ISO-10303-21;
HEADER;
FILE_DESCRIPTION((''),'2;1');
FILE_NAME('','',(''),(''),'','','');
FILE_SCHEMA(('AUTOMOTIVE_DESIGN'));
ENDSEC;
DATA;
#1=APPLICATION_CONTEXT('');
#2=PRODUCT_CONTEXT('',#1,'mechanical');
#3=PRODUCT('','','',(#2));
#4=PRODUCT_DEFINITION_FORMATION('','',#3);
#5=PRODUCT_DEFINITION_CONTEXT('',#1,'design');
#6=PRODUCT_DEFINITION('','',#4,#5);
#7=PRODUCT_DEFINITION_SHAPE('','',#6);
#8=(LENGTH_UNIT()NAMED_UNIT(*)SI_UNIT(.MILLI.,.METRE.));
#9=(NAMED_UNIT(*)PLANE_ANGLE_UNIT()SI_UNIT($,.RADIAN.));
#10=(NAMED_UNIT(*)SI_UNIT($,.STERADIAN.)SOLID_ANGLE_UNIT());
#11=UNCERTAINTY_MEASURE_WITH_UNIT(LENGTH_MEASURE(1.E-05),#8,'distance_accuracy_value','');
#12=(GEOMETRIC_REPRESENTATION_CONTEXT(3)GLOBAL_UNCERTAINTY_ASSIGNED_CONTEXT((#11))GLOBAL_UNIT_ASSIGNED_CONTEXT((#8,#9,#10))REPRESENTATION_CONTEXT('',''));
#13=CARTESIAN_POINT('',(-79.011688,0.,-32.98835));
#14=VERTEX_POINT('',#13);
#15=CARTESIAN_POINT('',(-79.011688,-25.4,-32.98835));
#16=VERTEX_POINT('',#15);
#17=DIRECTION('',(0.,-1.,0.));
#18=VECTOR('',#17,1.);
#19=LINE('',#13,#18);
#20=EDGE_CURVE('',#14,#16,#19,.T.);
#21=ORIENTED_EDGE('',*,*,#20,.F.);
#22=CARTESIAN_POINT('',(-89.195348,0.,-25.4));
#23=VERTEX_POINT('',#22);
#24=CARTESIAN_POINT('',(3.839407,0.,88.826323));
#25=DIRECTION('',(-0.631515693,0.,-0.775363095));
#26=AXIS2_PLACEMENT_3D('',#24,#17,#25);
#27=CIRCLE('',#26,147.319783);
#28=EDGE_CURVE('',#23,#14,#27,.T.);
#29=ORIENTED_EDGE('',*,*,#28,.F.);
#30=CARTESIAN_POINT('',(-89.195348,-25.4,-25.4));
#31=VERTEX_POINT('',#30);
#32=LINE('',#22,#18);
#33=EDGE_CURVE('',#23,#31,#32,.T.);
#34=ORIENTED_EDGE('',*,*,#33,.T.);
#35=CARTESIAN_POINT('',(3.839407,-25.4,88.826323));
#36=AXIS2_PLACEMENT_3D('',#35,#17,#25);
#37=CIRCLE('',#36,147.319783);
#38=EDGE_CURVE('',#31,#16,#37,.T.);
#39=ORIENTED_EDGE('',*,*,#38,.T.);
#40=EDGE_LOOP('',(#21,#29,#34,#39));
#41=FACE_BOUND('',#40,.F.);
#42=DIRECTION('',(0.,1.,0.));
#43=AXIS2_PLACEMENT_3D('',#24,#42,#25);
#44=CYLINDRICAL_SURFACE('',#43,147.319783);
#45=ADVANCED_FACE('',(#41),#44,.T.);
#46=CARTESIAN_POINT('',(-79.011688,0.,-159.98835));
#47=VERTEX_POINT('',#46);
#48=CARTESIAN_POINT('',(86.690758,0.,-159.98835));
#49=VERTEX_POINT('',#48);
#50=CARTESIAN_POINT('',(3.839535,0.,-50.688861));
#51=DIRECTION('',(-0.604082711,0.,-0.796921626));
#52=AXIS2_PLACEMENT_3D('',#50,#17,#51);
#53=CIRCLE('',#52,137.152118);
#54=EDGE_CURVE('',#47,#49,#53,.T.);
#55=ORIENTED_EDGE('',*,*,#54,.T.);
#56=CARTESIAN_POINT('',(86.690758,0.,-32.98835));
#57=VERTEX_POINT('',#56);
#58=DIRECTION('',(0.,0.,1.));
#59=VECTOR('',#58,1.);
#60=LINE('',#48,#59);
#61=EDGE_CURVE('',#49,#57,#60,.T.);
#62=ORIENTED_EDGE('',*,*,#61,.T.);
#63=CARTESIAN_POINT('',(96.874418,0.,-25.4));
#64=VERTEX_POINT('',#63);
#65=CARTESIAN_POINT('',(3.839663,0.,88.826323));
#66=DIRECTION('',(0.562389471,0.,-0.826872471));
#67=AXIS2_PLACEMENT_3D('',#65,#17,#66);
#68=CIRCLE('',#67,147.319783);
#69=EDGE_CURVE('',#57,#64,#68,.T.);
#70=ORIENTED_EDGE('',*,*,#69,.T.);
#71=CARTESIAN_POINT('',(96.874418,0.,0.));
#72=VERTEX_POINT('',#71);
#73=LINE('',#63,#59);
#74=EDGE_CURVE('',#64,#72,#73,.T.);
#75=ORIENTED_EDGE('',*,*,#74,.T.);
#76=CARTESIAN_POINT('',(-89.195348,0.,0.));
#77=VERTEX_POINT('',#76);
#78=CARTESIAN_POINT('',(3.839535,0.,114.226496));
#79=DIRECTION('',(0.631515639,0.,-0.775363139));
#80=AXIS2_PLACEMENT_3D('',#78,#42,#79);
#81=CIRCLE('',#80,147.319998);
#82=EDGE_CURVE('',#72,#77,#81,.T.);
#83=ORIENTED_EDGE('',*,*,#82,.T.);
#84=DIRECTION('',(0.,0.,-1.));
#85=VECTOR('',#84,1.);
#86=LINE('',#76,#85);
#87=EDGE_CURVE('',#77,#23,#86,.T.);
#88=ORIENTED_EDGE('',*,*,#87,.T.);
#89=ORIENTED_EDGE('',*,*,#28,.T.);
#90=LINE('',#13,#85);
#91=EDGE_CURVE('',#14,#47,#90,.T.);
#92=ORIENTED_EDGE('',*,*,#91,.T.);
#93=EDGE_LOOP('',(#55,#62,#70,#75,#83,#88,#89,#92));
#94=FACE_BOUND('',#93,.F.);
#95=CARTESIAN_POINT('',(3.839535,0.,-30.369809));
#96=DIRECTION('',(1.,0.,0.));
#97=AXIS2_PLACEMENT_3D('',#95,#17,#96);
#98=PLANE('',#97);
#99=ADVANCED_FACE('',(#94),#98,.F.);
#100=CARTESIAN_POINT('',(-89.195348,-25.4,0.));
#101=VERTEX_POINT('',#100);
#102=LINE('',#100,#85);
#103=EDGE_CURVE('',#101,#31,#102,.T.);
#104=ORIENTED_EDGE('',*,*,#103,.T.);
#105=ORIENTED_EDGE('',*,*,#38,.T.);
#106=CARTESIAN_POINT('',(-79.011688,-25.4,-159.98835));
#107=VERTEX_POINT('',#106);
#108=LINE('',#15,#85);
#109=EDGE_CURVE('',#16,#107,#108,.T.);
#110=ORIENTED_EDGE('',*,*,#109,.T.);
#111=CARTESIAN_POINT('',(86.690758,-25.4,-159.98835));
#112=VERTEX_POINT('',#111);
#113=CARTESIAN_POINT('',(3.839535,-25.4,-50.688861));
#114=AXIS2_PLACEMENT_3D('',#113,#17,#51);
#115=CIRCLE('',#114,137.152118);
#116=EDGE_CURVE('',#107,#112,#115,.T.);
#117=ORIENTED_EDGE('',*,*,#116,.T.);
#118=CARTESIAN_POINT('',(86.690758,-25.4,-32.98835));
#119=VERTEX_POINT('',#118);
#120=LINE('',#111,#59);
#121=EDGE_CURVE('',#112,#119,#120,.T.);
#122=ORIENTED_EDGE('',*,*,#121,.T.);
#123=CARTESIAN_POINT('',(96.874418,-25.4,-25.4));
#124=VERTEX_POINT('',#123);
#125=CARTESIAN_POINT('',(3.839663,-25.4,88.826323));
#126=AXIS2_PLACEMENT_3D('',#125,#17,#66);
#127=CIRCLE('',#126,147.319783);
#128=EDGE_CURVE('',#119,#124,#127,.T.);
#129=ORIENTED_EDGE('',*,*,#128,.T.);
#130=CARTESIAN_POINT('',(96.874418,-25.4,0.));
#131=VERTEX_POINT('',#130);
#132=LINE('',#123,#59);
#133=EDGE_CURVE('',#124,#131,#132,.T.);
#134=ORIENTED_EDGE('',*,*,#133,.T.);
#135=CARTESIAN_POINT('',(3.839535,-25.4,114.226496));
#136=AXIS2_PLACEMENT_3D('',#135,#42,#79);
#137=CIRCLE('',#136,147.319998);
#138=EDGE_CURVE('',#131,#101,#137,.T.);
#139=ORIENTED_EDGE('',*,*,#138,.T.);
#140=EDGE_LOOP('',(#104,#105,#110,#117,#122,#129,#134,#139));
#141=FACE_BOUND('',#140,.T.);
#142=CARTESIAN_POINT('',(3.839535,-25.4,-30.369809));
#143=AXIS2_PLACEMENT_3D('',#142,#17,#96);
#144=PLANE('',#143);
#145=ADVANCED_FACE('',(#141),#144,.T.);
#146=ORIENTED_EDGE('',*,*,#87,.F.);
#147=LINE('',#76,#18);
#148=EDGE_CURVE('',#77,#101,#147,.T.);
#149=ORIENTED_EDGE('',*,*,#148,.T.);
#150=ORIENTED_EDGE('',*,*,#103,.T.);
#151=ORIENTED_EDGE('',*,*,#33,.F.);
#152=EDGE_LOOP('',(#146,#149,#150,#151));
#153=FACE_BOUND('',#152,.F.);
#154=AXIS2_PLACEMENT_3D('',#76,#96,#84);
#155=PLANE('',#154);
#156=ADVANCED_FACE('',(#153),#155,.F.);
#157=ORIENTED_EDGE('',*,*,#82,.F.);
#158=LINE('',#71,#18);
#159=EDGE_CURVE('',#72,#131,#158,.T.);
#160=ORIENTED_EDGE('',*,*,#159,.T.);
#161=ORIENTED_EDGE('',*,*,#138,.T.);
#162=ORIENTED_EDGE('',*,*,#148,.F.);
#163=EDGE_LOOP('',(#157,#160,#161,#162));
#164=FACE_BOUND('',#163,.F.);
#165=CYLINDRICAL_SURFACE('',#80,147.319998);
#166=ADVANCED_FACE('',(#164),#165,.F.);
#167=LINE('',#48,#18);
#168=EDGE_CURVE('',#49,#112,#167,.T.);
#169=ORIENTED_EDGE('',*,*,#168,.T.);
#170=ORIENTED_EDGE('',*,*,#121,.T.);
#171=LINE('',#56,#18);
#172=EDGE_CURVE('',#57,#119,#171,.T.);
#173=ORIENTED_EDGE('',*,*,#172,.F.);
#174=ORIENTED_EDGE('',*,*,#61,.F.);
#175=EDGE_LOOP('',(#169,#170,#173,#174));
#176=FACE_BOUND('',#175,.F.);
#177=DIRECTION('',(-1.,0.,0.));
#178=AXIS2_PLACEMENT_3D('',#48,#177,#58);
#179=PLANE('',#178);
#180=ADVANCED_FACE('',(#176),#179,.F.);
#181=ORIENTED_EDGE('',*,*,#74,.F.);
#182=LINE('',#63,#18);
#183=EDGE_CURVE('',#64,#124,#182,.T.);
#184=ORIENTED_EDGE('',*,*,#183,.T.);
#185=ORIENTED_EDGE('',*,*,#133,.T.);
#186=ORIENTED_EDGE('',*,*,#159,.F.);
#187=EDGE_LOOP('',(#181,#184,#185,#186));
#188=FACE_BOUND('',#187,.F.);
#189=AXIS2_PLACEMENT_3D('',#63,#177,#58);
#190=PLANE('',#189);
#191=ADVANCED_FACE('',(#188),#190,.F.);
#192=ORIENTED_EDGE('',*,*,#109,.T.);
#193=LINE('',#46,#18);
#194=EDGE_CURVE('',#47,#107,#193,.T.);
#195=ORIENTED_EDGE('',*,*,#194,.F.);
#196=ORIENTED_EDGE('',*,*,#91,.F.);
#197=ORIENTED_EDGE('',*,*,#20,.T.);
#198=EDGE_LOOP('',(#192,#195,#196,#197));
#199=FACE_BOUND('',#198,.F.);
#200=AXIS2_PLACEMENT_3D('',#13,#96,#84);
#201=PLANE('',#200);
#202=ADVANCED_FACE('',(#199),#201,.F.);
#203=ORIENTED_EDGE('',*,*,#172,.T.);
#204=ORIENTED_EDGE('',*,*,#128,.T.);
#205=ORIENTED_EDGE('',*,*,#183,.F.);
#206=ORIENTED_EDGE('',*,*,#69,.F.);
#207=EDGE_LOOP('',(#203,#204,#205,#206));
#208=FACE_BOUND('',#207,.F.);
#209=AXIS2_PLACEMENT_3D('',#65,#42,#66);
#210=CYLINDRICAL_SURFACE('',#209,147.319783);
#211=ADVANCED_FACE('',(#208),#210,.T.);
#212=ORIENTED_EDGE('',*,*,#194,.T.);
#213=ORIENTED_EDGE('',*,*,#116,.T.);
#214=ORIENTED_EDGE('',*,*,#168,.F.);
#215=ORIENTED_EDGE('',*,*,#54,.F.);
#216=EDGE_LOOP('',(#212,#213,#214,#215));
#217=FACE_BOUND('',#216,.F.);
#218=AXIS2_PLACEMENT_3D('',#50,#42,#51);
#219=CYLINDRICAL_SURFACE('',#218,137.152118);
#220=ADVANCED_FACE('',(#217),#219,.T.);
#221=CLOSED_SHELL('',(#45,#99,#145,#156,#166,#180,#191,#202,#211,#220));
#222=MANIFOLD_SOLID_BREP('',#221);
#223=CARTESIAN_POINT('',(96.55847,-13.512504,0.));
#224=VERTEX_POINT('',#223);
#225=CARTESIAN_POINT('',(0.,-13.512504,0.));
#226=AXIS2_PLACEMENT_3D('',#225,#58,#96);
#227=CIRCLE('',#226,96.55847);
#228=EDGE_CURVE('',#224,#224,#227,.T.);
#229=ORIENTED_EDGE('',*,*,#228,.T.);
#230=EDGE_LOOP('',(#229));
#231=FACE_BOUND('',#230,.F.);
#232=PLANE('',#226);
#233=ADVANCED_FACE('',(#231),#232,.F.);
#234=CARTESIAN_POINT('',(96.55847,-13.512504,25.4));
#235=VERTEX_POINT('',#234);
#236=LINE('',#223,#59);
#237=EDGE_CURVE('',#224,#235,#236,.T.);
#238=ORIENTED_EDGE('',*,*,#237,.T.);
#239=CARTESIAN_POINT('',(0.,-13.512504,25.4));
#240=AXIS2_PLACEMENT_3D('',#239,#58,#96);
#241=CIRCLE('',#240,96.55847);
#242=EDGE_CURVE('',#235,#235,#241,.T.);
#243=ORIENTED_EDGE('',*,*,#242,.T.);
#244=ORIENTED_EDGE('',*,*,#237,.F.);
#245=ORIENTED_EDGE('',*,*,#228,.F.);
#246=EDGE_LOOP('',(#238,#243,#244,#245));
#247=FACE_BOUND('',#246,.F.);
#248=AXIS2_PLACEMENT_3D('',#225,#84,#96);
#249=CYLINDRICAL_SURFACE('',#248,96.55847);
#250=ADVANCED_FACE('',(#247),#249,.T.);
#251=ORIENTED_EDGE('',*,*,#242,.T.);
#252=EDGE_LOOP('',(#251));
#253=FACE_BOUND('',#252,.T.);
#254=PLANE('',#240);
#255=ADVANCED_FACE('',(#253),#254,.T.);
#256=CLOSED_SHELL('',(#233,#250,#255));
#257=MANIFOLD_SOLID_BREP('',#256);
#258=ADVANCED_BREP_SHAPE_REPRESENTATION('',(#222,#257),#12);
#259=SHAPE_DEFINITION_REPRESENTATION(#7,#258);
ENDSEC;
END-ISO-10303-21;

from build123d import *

# Parameters (mm, degrees)
F1_DEPTH = 25.4
F2_R     = 96.55847
F3_DEPTH = 25.4


with BuildPart() as f1:
    # F0 (on Front) → F1 (new body)
    with BuildSketch(Plane.XZ):
        with BuildLine():
            ThreePointArc((96.874418, 0), (3.839535, -33.093502), (-89.195348, 0))
            Line((-89.195348, 0), (-89.195348, -25.4))
            ThreePointArc((-89.195348, -25.4), (-84.185327, -29.303964), (-79.011688, -32.98835))
            ThreePointArc((-79.011688, -32.98835), (3.839535, -58.493502), (86.690758, -32.98835))
            ThreePointArc((86.690758, -32.98835), (91.864397, -29.303964), (96.874418, -25.4))
            Line((96.874418, -25.4), (96.874418, 0))
        make_face()
        with BuildLine():
            ThreePointArc((86.690758, -32.98835), (3.839535, -58.493502), (-79.011688, -32.98835))
            Line((-79.011688, -32.98835), (-79.011688, -159.98835))
            ThreePointArc((-79.011688, -159.98835), (3.839535, -187.840979), (86.690758, -159.98835))
            Line((86.690758, -159.98835), (86.690758, -32.98835))
        make_face()
    extrude(amount=F1_DEPTH)


with BuildPart() as f3:
    # F2 (on Top) → F3 (new body)
    with BuildSketch(Plane.XY):
        with Locations((0, -13.512504)):
            Circle(F2_R)
    extrude(amount=F3_DEPTH)


solid = Compound([f1.part, f3.part])
